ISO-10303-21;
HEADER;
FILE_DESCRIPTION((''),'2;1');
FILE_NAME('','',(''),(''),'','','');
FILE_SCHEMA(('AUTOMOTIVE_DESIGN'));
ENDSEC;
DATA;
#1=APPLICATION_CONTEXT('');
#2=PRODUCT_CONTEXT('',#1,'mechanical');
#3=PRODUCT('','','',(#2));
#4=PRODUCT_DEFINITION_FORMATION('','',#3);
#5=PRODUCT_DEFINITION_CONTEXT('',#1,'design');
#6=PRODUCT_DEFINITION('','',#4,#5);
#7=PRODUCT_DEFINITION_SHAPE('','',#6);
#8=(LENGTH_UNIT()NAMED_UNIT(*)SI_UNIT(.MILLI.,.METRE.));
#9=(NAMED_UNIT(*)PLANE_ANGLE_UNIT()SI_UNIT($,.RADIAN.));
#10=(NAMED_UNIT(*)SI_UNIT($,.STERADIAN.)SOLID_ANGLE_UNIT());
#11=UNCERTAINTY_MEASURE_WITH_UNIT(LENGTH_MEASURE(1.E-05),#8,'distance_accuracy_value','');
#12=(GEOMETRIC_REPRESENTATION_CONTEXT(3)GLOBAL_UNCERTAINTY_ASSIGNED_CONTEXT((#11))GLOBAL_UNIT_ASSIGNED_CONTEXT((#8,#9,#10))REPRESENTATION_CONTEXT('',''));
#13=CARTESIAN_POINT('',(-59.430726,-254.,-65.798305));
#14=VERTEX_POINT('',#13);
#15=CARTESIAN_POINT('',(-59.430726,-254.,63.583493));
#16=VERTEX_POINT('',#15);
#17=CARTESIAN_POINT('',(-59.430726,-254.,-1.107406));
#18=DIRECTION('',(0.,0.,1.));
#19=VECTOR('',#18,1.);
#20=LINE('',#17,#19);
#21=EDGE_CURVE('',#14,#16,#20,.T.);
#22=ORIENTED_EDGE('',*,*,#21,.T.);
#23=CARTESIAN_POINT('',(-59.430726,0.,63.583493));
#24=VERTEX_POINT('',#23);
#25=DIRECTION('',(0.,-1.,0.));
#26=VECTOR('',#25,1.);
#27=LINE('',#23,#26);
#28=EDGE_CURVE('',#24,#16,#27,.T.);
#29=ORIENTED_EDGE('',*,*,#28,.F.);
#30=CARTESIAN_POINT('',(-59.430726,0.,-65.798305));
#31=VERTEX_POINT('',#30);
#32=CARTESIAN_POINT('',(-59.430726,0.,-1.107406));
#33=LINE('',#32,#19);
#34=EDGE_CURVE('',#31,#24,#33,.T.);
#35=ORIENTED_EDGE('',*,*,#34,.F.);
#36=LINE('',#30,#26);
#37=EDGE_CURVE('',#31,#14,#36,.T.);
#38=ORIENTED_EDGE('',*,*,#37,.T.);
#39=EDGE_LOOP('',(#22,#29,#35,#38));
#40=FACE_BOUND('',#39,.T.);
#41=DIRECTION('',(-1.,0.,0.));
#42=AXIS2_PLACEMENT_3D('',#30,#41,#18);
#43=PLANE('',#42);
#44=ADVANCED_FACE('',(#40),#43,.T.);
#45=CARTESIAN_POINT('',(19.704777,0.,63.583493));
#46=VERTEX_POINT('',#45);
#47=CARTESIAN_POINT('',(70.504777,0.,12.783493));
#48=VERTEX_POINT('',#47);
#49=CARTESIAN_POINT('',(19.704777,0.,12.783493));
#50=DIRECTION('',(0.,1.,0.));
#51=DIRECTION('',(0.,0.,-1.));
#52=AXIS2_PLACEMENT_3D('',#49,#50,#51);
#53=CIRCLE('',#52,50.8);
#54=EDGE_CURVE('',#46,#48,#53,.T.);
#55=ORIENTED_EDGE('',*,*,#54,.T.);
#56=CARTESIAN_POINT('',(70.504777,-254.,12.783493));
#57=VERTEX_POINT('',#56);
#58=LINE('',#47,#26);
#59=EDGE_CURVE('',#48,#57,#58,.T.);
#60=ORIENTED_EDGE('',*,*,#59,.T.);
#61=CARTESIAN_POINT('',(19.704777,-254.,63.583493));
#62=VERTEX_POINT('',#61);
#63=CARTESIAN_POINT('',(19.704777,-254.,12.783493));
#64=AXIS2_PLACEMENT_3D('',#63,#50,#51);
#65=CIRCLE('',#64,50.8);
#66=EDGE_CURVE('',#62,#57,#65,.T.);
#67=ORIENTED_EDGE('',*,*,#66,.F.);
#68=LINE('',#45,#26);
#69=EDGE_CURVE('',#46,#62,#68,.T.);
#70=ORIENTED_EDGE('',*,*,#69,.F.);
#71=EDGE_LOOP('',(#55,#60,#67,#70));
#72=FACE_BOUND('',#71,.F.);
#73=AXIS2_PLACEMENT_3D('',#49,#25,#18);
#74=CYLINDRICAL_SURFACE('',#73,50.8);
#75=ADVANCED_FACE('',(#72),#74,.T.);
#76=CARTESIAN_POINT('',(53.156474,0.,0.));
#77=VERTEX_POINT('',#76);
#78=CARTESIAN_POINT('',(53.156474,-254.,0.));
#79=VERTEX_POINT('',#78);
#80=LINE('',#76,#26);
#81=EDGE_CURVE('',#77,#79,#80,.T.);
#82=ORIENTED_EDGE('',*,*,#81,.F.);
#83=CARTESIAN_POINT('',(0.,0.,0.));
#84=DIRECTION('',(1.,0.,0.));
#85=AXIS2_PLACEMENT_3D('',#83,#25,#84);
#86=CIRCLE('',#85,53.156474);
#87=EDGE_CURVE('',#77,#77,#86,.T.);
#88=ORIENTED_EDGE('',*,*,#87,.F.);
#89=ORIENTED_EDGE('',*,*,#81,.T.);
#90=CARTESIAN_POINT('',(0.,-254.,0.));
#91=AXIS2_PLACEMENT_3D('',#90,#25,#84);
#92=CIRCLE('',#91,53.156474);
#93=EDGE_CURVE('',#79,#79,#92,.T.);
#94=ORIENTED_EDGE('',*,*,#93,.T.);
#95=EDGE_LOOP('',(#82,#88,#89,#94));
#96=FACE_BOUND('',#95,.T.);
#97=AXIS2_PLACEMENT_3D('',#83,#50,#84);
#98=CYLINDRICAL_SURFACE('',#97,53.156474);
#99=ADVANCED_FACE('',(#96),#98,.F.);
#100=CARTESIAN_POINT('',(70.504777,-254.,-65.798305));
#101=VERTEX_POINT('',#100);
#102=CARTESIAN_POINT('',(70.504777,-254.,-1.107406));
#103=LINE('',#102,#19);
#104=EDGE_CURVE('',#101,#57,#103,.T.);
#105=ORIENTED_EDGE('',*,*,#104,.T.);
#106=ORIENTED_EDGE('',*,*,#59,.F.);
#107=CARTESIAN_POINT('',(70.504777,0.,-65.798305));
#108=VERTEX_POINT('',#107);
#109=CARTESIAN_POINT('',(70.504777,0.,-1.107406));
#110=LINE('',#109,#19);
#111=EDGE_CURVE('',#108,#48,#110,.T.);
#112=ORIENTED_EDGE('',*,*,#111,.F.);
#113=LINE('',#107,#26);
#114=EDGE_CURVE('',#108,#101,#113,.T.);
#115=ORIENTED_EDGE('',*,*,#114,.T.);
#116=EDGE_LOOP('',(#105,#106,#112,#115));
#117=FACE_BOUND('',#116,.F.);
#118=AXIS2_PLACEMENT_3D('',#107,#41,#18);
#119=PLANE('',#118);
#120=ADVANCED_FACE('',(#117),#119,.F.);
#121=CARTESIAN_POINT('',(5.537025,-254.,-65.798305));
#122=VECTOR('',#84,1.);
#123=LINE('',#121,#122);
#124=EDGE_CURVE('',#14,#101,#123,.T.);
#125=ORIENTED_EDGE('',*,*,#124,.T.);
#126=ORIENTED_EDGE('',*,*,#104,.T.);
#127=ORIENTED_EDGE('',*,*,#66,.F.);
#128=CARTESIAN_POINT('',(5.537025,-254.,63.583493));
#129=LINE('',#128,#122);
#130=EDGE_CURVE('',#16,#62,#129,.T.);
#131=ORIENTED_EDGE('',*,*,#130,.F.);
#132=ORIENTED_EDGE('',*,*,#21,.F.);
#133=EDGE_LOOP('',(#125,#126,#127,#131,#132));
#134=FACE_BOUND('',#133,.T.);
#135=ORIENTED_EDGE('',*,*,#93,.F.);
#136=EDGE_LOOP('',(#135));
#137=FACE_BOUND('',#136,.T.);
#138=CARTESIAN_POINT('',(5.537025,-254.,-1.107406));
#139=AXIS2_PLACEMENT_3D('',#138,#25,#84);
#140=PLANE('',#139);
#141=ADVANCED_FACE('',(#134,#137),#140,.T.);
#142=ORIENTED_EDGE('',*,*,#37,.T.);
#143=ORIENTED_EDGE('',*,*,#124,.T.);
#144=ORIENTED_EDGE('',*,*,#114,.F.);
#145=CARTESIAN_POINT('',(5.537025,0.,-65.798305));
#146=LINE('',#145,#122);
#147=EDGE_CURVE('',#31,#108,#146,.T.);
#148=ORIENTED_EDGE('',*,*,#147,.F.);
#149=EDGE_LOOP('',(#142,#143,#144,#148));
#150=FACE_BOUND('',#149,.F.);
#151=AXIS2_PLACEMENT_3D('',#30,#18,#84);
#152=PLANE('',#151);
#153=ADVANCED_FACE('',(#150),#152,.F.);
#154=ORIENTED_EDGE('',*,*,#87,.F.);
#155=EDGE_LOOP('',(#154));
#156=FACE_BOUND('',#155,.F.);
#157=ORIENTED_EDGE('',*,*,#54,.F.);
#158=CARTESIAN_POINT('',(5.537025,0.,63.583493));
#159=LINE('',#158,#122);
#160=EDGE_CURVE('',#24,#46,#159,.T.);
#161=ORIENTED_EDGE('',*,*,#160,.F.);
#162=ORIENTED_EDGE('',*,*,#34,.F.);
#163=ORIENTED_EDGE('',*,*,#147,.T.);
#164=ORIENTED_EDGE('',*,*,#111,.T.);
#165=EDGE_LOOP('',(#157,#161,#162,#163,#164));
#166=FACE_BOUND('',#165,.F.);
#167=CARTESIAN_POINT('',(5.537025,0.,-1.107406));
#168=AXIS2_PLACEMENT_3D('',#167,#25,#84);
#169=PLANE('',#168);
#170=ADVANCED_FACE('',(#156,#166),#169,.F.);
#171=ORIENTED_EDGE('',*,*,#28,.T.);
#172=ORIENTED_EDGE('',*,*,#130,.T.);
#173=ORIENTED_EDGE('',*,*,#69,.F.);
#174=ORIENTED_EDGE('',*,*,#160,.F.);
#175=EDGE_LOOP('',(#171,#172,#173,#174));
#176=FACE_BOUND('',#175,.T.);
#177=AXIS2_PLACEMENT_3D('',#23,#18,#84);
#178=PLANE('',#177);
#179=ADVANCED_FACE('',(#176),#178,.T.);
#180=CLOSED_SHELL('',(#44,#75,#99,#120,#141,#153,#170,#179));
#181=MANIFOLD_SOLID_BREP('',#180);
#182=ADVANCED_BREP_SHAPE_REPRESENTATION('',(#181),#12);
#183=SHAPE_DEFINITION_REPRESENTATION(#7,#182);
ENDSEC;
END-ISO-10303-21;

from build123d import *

# Parameters (mm, degrees)
F0_W     = 129.935503
F0_H     = 129.381798
F0_R     = 53.156474
F1_DEPTH = 254
F2_R     = 50.8


with BuildPart() as f1:
    # F0 (on Front) → F1 (new body)
    with BuildSketch(Plane.XZ):
        with Locations((5.537025, -1.107406)):
            Rectangle(F0_W, F0_H)
        Circle(F0_R, mode=Mode.SUBTRACT)
    extrude(amount=F1_DEPTH)

    # F2
    f2_edges = [f1.edges().sort_by_distance(p)[0] for p in [
        (70.504777, -127, 63.583493),
    ]]
    fillet(f2_edges, radius=F2_R)


solid = f1.part
